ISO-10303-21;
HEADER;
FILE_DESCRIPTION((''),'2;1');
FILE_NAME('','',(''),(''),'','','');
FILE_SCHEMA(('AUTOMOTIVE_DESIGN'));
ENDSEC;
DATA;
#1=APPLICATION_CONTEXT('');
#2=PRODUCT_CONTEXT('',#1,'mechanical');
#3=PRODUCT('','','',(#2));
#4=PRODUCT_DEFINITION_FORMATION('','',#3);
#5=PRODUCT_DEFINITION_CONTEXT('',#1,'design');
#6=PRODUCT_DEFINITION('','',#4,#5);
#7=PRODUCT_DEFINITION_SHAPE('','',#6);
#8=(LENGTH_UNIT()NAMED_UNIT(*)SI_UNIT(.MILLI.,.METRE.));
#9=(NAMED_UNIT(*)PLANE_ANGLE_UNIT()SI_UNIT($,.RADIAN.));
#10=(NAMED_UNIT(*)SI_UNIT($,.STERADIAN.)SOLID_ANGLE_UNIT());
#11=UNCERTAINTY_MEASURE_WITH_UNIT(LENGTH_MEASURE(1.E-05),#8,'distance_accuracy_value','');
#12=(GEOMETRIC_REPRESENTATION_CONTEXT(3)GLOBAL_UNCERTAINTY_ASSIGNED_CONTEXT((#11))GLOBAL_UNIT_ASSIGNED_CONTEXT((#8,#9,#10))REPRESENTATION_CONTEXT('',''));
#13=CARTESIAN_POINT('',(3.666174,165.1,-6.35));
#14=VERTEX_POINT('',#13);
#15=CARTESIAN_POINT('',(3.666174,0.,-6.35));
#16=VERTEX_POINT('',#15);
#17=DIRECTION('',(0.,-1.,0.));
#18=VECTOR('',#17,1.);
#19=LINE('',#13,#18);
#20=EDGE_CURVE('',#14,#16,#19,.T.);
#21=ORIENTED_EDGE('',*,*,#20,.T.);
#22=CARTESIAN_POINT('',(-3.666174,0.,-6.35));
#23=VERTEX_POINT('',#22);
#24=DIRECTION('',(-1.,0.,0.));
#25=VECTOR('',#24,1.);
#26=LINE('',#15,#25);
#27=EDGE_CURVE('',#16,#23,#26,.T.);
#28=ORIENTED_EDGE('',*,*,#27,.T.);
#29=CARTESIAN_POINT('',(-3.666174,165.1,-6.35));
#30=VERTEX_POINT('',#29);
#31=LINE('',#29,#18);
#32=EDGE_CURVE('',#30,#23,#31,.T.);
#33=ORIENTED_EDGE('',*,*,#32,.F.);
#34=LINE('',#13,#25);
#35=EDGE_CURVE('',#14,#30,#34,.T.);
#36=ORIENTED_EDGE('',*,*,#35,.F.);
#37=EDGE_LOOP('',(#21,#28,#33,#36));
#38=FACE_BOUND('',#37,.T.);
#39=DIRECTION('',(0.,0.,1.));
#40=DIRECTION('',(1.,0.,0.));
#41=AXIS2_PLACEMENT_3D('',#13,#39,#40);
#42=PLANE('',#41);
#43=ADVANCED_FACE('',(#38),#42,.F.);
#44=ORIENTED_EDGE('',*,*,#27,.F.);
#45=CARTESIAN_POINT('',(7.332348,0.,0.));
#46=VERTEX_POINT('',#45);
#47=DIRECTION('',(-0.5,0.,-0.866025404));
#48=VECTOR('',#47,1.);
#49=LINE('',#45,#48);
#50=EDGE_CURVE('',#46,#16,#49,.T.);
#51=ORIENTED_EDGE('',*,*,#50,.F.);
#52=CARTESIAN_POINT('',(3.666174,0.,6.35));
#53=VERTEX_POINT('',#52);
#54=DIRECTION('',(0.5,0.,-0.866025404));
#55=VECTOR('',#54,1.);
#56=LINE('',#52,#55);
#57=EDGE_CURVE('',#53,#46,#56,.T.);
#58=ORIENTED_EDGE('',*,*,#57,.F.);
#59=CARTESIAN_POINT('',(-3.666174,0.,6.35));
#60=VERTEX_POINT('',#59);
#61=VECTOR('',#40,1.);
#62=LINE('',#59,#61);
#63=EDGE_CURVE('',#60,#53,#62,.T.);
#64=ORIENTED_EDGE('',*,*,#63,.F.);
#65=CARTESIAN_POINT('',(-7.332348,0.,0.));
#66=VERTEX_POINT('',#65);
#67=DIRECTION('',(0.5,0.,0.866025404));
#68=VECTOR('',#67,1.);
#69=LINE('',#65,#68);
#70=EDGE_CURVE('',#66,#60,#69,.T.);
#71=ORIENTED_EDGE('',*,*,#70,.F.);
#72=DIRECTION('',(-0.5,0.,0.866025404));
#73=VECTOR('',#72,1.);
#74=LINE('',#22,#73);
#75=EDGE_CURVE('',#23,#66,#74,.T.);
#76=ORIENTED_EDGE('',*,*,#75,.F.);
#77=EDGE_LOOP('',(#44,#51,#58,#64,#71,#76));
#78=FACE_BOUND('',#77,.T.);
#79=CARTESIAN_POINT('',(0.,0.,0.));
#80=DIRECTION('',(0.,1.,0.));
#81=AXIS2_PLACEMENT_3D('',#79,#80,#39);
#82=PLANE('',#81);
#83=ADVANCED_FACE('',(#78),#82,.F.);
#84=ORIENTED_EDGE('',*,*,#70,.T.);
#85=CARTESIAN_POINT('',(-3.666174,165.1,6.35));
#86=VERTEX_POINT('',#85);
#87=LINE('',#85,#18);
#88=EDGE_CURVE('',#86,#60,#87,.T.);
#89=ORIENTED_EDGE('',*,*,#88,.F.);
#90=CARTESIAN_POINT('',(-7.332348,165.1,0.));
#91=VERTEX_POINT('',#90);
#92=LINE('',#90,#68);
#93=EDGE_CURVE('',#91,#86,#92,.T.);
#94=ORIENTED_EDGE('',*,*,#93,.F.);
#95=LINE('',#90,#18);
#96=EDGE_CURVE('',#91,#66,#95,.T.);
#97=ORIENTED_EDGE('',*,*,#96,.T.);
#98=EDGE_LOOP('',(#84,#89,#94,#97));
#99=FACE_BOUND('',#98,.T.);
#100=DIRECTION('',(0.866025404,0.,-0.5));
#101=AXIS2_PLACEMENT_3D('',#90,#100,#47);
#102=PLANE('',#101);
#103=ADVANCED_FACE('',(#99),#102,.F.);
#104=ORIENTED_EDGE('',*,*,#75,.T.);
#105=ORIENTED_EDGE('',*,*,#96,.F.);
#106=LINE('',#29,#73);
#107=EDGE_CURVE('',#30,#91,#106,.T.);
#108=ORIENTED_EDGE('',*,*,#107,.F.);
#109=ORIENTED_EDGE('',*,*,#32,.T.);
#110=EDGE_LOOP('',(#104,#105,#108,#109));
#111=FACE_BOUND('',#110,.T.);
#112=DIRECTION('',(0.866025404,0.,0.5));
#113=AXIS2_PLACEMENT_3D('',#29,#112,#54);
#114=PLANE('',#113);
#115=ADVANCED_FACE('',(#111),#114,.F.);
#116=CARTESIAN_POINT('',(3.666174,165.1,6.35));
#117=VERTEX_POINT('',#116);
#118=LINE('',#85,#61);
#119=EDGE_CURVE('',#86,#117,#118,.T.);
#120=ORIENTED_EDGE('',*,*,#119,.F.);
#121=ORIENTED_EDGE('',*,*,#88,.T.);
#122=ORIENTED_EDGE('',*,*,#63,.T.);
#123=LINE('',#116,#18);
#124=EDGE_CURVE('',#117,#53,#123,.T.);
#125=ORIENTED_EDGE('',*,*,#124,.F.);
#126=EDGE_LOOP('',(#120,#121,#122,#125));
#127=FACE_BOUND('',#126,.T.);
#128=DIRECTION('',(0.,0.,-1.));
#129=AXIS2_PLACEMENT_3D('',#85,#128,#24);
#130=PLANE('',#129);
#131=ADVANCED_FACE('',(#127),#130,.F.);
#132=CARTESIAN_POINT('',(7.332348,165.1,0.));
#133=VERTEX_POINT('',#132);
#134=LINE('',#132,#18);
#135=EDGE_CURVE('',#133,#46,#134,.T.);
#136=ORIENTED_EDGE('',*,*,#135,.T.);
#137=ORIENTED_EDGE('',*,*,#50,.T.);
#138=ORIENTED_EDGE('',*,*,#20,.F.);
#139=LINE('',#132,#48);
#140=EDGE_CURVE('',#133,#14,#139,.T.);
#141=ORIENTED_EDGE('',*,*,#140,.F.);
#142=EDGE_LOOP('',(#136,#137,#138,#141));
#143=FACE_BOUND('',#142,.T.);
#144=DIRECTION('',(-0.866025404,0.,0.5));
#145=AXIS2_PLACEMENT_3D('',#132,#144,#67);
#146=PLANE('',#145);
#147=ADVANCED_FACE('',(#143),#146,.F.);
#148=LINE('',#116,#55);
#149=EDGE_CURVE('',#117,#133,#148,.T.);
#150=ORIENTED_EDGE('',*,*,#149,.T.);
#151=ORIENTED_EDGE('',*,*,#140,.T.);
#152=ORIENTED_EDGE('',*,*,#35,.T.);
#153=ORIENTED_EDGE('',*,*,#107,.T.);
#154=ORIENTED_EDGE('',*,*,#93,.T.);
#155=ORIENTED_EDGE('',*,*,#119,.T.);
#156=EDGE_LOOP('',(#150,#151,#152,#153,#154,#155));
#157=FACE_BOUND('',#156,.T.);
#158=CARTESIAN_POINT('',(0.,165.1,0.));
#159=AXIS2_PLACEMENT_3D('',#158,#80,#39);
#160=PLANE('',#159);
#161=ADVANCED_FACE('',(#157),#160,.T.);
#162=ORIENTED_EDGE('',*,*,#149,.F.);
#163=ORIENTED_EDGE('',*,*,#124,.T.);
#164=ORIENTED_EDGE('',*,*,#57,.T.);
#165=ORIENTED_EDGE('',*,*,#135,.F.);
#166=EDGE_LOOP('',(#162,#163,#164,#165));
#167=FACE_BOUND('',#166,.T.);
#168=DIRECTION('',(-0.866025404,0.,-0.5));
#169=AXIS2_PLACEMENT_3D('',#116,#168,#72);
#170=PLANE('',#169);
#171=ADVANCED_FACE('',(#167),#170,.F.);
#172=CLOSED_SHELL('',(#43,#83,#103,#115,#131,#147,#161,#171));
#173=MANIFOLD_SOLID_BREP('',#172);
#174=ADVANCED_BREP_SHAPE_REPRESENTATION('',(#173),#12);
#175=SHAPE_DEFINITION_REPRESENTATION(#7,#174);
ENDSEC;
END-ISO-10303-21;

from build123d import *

# Parameters (mm, degrees)
BOSS_EXTRUDE1_DEPTH = 165.1


with BuildPart() as part:
    # Sketch1 → Boss-Extrude1 (new body)
    with BuildSketch(Plane(origin=(0, 0, 0), x_dir=(1, 0, 0), z_dir=(0, 1, 0))):
        Polygon((7.332348419, 0), (3.666174209, 6.35), (-3.666174209, 6.35), (-7.332348419, 0), (-3.666174209, -6.35), (3.666174209, -6.35), align=None)
    extrude(amount=BOSS_EXTRUDE1_DEPTH)


solid = part.part
